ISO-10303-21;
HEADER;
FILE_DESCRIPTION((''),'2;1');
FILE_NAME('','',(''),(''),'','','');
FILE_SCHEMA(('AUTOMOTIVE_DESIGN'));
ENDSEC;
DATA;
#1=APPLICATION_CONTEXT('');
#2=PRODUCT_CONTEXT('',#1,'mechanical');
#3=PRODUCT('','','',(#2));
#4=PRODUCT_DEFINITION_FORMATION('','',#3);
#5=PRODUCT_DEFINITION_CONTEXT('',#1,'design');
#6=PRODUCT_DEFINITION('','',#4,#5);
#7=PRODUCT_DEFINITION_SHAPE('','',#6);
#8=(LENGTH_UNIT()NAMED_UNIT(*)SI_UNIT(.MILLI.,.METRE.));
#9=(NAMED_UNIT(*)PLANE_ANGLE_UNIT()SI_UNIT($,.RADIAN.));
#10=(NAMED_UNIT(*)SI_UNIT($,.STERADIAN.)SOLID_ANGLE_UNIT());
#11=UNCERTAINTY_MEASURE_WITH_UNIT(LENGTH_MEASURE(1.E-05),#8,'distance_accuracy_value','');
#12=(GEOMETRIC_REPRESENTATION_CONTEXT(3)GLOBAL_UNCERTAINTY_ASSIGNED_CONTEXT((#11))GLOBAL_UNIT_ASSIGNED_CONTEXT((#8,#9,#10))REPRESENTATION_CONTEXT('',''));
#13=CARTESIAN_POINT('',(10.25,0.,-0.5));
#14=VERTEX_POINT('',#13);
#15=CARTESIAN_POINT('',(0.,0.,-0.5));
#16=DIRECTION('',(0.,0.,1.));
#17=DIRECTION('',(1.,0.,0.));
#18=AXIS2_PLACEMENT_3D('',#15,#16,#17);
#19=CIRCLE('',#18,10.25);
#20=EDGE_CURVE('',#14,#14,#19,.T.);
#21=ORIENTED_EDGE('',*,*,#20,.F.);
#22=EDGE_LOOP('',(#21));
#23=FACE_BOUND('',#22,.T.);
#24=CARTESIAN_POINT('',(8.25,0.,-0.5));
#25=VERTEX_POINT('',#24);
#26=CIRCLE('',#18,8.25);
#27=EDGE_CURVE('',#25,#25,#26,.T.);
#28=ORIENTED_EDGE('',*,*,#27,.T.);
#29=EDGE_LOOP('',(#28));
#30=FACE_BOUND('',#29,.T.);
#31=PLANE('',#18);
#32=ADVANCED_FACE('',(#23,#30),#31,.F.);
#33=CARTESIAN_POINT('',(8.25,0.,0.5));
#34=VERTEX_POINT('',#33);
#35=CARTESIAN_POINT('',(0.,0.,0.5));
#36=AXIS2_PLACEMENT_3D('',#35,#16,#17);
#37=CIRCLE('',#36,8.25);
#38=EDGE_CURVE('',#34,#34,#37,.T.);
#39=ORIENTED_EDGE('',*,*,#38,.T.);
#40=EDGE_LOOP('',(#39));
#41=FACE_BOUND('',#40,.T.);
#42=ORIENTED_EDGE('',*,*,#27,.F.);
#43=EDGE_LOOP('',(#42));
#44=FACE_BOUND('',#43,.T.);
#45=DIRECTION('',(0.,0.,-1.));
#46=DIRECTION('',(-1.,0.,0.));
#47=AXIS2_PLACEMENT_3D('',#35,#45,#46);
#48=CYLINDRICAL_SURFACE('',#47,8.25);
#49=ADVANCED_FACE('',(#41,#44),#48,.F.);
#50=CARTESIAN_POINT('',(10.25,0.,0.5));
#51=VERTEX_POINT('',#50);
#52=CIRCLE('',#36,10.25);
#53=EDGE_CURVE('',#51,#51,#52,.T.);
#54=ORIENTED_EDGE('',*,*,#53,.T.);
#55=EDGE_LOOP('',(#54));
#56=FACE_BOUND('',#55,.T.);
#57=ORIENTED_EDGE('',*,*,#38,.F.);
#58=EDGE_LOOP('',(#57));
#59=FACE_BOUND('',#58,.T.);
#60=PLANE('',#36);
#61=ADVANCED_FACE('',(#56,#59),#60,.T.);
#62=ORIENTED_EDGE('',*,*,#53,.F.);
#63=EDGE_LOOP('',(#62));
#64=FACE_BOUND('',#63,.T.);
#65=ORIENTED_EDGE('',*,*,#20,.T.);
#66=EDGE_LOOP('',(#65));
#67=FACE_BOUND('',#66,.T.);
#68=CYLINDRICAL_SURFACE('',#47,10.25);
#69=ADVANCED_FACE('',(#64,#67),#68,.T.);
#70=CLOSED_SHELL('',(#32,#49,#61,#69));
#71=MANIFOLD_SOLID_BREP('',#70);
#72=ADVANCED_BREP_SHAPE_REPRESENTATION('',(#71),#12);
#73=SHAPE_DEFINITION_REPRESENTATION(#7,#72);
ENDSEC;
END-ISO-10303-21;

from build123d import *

# Parameters (mm, degrees)
ESQUISSE1_R      = 10.25
ESQUISSE1_R_2    = 8.25
EXTRUSION1_DEPTH = 0.5


with BuildPart() as part:
    # Esquisse1 → Extrusion1 (new body, symmetric)
    with BuildSketch(Plane.XY):
        Circle(ESQUISSE1_R)
        Circle(ESQUISSE1_R_2, mode=Mode.SUBTRACT)
    extrude(amount=EXTRUSION1_DEPTH, both=True)


solid = part.part
